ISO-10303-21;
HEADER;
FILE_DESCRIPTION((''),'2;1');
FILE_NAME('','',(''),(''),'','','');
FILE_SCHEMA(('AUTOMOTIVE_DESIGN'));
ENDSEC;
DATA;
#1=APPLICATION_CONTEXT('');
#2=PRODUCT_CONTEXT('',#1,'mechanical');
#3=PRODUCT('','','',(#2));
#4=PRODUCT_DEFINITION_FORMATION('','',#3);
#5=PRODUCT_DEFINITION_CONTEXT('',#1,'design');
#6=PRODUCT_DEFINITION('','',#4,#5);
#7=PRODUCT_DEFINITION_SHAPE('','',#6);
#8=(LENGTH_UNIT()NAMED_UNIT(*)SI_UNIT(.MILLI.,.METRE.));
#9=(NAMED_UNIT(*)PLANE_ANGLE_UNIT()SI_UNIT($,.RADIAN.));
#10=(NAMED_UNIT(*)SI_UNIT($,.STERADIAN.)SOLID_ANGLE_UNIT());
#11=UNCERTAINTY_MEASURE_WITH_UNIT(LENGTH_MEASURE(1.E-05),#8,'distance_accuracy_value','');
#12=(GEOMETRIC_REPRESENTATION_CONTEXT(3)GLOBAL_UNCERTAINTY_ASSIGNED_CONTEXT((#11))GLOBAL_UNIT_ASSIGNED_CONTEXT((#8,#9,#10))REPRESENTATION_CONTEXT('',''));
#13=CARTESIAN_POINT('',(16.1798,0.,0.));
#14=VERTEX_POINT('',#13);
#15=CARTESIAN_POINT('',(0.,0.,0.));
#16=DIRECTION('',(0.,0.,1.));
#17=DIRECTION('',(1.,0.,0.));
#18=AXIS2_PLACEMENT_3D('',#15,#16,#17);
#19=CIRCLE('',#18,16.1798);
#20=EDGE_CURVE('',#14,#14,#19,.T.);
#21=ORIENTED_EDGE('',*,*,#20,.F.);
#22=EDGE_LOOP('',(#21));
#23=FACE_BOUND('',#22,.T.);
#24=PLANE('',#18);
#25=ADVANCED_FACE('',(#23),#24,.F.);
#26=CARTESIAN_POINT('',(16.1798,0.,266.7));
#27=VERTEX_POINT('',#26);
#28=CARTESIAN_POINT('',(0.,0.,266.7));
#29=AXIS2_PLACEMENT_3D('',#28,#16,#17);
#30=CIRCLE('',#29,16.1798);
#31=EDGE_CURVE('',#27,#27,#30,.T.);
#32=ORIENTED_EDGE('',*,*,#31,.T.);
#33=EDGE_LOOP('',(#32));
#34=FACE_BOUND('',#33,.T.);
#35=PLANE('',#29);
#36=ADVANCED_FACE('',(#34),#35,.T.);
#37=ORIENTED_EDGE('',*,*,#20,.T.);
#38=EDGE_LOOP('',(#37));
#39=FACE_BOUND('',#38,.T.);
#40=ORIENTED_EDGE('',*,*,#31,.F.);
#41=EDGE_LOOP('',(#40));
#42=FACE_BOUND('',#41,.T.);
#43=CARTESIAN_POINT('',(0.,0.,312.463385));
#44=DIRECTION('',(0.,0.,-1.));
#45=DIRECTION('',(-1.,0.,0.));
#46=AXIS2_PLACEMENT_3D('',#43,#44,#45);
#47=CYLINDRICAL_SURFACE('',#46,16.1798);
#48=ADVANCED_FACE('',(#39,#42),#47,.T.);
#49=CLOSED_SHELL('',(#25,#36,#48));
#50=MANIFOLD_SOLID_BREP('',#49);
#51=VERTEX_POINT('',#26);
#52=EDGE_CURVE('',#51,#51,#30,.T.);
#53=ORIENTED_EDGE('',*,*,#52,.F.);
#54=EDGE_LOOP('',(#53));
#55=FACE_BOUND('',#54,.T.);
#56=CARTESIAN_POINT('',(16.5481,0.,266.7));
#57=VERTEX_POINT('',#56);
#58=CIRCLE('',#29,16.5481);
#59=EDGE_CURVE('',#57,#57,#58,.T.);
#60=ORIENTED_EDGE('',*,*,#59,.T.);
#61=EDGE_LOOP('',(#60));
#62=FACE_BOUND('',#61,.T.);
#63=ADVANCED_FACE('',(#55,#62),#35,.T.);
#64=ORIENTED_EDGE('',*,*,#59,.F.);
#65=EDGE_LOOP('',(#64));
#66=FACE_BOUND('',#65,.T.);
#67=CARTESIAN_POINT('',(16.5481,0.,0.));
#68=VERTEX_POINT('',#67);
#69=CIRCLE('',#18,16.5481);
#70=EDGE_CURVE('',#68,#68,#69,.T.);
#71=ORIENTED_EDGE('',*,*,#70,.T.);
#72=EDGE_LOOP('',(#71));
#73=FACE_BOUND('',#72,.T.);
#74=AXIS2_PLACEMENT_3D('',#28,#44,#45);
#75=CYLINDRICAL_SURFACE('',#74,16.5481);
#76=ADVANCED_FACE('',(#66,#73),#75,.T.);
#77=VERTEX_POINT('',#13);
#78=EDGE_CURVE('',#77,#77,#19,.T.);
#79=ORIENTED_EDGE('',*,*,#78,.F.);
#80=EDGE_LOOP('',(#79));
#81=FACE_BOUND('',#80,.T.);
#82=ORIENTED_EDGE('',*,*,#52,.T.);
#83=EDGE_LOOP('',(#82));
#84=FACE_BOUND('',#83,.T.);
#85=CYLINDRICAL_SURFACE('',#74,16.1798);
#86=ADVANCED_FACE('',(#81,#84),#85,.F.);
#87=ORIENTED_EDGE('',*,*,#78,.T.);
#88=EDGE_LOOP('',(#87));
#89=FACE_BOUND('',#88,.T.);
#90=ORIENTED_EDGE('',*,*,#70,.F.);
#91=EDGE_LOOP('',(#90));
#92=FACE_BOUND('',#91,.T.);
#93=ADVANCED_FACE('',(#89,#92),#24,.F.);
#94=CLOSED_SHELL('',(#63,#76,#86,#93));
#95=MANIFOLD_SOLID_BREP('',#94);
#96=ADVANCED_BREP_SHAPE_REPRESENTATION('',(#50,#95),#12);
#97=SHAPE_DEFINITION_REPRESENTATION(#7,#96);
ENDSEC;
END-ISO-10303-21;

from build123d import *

# Parameters (mm, degrees)
SKETCH1_R           = 16.5481
SKETCH1_R_2         = 16.1798
BOSS_EXTRUDE1_DEPTH = 266.7
SKETCH2_R           = 16.1798
BOSS_EXTRUDE2_DEPTH = 266.7


with BuildPart() as part:
    # Sketch1 → Boss-Extrude1 (new body)
    with BuildSketch(Plane.XY):
        Circle(SKETCH1_R)
        Circle(SKETCH1_R_2, mode=Mode.SUBTRACT)
    extrude(amount=BOSS_EXTRUDE1_DEPTH)


with BuildPart() as body_2:
    # Sketch2 → Boss-Extrude2 (new body)
    with BuildSketch(Plane.XY):
        Circle(SKETCH2_R)
    extrude(amount=BOSS_EXTRUDE2_DEPTH)


solid = Compound([part.part, body_2.part])
